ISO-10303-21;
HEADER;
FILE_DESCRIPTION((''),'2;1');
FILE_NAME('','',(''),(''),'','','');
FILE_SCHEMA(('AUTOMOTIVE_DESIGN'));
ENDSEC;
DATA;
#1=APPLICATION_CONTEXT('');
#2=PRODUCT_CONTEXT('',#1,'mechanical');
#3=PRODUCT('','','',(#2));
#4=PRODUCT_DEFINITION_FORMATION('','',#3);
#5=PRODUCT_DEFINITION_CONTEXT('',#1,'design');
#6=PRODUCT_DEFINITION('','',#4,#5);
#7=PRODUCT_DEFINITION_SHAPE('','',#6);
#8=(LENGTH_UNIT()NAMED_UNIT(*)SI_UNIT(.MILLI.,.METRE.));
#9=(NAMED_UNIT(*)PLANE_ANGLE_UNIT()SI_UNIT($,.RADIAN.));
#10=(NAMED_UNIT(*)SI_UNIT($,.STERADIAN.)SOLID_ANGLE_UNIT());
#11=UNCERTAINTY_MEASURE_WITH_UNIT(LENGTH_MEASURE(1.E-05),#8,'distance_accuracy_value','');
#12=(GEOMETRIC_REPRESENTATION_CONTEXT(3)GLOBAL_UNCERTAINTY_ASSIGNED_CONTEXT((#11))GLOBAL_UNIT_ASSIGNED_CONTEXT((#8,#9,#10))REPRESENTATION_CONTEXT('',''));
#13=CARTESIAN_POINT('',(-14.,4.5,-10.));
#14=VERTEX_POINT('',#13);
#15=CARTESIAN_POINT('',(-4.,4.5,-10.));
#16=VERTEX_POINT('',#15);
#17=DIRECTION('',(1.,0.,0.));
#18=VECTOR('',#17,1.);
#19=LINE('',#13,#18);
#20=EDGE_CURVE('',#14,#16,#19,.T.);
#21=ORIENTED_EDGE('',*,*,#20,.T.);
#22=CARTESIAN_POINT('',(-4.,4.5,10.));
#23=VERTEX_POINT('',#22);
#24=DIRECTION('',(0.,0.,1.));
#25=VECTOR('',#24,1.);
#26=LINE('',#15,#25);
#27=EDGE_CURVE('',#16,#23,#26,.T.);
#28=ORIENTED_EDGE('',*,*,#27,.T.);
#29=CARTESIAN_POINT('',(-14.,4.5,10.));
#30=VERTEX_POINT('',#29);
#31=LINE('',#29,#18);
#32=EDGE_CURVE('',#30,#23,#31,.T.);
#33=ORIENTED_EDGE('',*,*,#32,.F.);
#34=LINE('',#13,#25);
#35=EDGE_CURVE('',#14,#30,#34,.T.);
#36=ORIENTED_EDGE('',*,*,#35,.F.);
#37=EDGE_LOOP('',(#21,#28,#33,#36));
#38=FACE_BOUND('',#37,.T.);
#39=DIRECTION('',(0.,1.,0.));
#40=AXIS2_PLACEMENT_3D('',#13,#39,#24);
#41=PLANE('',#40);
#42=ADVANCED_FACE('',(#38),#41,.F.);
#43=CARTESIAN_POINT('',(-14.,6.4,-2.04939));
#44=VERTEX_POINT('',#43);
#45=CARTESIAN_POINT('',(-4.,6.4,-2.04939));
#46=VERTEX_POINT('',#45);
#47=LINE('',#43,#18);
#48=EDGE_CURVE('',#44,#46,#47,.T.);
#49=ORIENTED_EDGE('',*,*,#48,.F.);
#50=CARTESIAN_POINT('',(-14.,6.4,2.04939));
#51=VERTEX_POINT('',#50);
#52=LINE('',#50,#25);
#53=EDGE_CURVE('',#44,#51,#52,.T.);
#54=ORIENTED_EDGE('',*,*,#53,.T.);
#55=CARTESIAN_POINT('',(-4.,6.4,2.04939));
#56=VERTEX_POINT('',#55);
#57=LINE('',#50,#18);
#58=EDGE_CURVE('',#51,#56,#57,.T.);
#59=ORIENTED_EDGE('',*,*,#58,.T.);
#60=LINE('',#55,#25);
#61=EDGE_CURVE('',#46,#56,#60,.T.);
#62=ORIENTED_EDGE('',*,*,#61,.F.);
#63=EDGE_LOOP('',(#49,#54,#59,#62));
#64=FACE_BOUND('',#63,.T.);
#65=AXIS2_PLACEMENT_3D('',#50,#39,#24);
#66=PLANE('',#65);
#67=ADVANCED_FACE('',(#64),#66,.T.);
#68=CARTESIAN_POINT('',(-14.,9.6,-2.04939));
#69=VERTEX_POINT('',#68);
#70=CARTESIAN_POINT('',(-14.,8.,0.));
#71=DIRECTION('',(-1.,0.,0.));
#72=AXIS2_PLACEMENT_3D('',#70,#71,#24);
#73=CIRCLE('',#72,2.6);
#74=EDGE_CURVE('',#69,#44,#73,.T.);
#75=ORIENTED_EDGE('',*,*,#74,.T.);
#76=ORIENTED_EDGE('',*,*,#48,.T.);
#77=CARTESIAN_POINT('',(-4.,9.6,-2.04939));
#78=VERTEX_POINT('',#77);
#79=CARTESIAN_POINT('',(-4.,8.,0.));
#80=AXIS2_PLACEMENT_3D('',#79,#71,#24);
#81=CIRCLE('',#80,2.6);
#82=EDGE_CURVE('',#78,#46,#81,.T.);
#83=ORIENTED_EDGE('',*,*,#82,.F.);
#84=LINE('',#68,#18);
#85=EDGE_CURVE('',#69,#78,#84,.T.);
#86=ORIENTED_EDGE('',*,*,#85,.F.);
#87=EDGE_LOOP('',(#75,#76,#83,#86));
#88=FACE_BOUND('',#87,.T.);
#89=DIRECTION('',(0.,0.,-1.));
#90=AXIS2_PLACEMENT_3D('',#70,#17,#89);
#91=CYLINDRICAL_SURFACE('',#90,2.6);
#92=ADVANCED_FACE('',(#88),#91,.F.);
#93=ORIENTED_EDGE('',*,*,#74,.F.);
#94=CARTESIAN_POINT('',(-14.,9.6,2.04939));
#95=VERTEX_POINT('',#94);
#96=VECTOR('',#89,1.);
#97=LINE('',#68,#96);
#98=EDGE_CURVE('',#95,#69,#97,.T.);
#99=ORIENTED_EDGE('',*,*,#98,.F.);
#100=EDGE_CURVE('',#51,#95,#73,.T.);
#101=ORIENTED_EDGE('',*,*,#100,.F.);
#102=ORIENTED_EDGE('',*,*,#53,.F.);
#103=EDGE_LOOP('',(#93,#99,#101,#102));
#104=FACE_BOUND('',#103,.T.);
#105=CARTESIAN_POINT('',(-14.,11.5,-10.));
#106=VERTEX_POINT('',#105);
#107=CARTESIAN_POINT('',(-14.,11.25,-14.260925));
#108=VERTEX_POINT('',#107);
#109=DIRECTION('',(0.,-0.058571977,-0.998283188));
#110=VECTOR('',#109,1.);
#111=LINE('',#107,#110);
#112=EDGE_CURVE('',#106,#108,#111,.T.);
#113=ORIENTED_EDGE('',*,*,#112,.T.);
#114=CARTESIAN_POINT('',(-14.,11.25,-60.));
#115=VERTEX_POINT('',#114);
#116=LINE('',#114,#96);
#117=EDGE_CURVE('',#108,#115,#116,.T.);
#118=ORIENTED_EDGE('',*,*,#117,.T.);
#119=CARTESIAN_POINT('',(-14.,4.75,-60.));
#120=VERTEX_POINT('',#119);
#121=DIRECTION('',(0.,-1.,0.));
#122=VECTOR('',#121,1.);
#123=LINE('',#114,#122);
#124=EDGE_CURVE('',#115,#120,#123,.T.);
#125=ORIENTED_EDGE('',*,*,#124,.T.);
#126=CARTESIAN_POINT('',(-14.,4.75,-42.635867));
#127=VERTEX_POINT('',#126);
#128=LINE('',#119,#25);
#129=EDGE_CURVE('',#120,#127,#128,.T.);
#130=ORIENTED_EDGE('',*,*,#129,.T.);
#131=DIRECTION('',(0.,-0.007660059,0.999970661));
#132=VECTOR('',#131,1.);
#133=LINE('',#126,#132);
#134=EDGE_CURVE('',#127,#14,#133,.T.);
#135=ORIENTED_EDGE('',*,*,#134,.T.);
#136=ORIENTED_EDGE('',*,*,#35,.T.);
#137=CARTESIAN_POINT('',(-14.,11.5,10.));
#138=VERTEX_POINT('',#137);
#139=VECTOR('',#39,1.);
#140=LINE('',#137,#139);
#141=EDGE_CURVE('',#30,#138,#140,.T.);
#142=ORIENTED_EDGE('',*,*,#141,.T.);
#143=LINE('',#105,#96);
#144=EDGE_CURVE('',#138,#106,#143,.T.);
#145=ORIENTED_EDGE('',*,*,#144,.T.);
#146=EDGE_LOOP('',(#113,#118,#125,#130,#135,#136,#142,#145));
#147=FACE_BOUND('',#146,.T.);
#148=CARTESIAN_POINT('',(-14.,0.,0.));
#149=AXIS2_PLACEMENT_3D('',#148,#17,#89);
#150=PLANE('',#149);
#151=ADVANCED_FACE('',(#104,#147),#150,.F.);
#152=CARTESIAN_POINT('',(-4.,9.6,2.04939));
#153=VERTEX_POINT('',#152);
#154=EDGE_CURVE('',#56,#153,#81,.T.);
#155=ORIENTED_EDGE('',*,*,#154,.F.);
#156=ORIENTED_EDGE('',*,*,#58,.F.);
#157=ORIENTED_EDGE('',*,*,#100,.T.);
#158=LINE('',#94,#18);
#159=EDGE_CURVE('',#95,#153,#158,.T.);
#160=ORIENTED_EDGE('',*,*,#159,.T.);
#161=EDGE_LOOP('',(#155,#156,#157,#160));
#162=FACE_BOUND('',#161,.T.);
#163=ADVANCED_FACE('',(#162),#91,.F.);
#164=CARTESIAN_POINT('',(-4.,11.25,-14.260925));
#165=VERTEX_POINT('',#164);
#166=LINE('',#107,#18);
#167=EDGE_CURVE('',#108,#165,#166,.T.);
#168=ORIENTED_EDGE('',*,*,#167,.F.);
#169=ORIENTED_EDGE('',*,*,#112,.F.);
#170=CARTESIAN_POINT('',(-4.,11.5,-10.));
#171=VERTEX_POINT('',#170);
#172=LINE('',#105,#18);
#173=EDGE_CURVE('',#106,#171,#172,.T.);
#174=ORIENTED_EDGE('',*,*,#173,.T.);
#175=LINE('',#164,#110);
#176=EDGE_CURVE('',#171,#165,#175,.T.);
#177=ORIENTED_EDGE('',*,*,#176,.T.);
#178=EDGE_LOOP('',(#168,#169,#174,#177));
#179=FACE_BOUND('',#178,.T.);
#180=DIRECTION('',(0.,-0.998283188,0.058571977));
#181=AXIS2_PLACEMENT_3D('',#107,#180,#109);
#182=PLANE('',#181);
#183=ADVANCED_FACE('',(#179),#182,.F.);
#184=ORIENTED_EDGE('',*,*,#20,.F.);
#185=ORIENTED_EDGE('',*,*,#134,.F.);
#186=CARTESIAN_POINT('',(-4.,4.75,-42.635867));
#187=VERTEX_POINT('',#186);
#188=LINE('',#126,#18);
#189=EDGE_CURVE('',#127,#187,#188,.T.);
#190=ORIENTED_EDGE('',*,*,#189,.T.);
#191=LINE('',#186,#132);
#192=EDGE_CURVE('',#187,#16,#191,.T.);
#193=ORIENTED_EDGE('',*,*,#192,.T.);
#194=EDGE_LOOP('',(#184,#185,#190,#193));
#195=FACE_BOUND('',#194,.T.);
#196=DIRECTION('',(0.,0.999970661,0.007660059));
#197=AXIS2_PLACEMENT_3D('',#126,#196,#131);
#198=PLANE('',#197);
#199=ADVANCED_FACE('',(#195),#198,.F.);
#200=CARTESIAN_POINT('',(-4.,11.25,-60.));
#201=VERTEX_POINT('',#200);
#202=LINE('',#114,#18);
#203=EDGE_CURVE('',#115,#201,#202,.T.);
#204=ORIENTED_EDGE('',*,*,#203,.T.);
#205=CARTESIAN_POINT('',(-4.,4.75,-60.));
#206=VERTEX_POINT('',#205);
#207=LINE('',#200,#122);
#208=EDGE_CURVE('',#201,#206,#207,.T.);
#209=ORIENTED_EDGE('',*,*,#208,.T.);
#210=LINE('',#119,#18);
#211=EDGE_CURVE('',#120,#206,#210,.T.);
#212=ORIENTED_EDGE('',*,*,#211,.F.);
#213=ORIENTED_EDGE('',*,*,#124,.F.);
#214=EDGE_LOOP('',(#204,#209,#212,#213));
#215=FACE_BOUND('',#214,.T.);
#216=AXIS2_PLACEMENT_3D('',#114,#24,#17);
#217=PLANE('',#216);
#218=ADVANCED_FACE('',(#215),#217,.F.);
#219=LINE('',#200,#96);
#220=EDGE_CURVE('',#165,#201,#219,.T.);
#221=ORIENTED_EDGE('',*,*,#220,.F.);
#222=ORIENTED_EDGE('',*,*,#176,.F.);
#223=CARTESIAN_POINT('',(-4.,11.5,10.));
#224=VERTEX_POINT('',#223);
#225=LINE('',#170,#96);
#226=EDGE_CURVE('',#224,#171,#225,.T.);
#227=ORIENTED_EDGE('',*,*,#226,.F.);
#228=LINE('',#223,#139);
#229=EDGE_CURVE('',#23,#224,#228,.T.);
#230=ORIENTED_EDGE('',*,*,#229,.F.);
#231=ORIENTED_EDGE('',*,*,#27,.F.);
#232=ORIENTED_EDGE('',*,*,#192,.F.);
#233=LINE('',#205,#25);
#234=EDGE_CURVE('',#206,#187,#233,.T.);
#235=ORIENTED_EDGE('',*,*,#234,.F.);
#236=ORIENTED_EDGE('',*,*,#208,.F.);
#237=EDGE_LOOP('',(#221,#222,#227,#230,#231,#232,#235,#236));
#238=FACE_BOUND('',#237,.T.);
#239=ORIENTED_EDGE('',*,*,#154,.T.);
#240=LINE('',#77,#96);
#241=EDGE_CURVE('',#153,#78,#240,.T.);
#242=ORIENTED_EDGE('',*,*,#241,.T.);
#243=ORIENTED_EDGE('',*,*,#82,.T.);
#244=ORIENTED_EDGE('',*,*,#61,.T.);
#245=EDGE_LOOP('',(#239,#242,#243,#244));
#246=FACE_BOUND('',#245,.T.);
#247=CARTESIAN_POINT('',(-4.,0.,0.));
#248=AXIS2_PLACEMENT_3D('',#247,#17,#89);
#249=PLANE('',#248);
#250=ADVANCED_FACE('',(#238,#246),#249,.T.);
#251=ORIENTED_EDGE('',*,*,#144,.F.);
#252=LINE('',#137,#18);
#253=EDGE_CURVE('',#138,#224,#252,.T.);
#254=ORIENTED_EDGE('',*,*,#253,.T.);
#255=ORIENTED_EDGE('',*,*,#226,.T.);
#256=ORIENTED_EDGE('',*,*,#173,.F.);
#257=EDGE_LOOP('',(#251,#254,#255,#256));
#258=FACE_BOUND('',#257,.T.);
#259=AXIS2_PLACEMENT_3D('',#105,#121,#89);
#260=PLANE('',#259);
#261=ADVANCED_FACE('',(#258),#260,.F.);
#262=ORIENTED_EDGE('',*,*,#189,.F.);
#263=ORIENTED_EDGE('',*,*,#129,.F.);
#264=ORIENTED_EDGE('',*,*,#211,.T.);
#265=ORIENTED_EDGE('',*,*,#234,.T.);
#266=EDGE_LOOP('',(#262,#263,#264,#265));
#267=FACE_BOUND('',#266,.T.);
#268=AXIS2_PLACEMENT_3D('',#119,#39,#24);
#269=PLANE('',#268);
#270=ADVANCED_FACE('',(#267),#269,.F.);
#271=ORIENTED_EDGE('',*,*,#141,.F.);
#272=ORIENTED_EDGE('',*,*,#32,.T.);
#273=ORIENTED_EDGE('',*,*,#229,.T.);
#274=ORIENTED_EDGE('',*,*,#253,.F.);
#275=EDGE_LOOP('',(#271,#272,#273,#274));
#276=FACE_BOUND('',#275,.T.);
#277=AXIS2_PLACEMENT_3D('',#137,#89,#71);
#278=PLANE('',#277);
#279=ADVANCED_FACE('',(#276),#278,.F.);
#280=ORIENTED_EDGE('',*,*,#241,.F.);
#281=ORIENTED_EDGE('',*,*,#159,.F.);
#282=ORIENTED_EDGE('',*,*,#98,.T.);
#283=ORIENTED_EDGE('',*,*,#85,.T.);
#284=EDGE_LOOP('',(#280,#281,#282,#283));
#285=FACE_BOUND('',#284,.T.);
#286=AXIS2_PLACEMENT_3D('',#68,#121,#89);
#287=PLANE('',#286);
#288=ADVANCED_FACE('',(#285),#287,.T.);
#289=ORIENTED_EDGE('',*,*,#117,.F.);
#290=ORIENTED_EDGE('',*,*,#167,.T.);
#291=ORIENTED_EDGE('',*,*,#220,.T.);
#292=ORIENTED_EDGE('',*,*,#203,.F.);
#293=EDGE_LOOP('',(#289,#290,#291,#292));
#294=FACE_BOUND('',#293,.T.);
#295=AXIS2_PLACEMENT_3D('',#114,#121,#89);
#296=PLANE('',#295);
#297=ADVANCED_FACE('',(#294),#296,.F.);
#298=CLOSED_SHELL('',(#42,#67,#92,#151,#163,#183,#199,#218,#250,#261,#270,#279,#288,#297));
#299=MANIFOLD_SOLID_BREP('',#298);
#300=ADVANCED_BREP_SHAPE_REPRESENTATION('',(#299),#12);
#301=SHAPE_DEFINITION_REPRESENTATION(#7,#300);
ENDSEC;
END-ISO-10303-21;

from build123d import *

# Parameters (mm, degrees)
BOSS_EXTRUDE1_DEPTH = 10


with BuildPart() as part:
    # Sketch1 → Boss-Extrude1 (new body)
    with BuildSketch(Plane.ZY.offset(4)):
        Polygon((-10, 11.5), (10, 11.5), (10, 4.5), (-10, 4.5), (-42.635866967, 4.75), (-60, 4.75), (-60, 11.25), (-14.260924963, 11.25), align=None)
        with BuildLine():
            Line((-2.049390153, 9.6), (2.049390153, 9.6))
            ThreePointArc((2.049390153, 9.6), (2.6, 8), (2.049390153, 6.4))
            Line((2.049390153, 6.4), (-2.049390153, 6.4))
            ThreePointArc((-2.049390153, 6.4), (-2.6, 8), (-2.049390153, 9.6))
        make_face(mode=Mode.SUBTRACT)
    extrude(amount=BOSS_EXTRUDE1_DEPTH)


solid = part.part
